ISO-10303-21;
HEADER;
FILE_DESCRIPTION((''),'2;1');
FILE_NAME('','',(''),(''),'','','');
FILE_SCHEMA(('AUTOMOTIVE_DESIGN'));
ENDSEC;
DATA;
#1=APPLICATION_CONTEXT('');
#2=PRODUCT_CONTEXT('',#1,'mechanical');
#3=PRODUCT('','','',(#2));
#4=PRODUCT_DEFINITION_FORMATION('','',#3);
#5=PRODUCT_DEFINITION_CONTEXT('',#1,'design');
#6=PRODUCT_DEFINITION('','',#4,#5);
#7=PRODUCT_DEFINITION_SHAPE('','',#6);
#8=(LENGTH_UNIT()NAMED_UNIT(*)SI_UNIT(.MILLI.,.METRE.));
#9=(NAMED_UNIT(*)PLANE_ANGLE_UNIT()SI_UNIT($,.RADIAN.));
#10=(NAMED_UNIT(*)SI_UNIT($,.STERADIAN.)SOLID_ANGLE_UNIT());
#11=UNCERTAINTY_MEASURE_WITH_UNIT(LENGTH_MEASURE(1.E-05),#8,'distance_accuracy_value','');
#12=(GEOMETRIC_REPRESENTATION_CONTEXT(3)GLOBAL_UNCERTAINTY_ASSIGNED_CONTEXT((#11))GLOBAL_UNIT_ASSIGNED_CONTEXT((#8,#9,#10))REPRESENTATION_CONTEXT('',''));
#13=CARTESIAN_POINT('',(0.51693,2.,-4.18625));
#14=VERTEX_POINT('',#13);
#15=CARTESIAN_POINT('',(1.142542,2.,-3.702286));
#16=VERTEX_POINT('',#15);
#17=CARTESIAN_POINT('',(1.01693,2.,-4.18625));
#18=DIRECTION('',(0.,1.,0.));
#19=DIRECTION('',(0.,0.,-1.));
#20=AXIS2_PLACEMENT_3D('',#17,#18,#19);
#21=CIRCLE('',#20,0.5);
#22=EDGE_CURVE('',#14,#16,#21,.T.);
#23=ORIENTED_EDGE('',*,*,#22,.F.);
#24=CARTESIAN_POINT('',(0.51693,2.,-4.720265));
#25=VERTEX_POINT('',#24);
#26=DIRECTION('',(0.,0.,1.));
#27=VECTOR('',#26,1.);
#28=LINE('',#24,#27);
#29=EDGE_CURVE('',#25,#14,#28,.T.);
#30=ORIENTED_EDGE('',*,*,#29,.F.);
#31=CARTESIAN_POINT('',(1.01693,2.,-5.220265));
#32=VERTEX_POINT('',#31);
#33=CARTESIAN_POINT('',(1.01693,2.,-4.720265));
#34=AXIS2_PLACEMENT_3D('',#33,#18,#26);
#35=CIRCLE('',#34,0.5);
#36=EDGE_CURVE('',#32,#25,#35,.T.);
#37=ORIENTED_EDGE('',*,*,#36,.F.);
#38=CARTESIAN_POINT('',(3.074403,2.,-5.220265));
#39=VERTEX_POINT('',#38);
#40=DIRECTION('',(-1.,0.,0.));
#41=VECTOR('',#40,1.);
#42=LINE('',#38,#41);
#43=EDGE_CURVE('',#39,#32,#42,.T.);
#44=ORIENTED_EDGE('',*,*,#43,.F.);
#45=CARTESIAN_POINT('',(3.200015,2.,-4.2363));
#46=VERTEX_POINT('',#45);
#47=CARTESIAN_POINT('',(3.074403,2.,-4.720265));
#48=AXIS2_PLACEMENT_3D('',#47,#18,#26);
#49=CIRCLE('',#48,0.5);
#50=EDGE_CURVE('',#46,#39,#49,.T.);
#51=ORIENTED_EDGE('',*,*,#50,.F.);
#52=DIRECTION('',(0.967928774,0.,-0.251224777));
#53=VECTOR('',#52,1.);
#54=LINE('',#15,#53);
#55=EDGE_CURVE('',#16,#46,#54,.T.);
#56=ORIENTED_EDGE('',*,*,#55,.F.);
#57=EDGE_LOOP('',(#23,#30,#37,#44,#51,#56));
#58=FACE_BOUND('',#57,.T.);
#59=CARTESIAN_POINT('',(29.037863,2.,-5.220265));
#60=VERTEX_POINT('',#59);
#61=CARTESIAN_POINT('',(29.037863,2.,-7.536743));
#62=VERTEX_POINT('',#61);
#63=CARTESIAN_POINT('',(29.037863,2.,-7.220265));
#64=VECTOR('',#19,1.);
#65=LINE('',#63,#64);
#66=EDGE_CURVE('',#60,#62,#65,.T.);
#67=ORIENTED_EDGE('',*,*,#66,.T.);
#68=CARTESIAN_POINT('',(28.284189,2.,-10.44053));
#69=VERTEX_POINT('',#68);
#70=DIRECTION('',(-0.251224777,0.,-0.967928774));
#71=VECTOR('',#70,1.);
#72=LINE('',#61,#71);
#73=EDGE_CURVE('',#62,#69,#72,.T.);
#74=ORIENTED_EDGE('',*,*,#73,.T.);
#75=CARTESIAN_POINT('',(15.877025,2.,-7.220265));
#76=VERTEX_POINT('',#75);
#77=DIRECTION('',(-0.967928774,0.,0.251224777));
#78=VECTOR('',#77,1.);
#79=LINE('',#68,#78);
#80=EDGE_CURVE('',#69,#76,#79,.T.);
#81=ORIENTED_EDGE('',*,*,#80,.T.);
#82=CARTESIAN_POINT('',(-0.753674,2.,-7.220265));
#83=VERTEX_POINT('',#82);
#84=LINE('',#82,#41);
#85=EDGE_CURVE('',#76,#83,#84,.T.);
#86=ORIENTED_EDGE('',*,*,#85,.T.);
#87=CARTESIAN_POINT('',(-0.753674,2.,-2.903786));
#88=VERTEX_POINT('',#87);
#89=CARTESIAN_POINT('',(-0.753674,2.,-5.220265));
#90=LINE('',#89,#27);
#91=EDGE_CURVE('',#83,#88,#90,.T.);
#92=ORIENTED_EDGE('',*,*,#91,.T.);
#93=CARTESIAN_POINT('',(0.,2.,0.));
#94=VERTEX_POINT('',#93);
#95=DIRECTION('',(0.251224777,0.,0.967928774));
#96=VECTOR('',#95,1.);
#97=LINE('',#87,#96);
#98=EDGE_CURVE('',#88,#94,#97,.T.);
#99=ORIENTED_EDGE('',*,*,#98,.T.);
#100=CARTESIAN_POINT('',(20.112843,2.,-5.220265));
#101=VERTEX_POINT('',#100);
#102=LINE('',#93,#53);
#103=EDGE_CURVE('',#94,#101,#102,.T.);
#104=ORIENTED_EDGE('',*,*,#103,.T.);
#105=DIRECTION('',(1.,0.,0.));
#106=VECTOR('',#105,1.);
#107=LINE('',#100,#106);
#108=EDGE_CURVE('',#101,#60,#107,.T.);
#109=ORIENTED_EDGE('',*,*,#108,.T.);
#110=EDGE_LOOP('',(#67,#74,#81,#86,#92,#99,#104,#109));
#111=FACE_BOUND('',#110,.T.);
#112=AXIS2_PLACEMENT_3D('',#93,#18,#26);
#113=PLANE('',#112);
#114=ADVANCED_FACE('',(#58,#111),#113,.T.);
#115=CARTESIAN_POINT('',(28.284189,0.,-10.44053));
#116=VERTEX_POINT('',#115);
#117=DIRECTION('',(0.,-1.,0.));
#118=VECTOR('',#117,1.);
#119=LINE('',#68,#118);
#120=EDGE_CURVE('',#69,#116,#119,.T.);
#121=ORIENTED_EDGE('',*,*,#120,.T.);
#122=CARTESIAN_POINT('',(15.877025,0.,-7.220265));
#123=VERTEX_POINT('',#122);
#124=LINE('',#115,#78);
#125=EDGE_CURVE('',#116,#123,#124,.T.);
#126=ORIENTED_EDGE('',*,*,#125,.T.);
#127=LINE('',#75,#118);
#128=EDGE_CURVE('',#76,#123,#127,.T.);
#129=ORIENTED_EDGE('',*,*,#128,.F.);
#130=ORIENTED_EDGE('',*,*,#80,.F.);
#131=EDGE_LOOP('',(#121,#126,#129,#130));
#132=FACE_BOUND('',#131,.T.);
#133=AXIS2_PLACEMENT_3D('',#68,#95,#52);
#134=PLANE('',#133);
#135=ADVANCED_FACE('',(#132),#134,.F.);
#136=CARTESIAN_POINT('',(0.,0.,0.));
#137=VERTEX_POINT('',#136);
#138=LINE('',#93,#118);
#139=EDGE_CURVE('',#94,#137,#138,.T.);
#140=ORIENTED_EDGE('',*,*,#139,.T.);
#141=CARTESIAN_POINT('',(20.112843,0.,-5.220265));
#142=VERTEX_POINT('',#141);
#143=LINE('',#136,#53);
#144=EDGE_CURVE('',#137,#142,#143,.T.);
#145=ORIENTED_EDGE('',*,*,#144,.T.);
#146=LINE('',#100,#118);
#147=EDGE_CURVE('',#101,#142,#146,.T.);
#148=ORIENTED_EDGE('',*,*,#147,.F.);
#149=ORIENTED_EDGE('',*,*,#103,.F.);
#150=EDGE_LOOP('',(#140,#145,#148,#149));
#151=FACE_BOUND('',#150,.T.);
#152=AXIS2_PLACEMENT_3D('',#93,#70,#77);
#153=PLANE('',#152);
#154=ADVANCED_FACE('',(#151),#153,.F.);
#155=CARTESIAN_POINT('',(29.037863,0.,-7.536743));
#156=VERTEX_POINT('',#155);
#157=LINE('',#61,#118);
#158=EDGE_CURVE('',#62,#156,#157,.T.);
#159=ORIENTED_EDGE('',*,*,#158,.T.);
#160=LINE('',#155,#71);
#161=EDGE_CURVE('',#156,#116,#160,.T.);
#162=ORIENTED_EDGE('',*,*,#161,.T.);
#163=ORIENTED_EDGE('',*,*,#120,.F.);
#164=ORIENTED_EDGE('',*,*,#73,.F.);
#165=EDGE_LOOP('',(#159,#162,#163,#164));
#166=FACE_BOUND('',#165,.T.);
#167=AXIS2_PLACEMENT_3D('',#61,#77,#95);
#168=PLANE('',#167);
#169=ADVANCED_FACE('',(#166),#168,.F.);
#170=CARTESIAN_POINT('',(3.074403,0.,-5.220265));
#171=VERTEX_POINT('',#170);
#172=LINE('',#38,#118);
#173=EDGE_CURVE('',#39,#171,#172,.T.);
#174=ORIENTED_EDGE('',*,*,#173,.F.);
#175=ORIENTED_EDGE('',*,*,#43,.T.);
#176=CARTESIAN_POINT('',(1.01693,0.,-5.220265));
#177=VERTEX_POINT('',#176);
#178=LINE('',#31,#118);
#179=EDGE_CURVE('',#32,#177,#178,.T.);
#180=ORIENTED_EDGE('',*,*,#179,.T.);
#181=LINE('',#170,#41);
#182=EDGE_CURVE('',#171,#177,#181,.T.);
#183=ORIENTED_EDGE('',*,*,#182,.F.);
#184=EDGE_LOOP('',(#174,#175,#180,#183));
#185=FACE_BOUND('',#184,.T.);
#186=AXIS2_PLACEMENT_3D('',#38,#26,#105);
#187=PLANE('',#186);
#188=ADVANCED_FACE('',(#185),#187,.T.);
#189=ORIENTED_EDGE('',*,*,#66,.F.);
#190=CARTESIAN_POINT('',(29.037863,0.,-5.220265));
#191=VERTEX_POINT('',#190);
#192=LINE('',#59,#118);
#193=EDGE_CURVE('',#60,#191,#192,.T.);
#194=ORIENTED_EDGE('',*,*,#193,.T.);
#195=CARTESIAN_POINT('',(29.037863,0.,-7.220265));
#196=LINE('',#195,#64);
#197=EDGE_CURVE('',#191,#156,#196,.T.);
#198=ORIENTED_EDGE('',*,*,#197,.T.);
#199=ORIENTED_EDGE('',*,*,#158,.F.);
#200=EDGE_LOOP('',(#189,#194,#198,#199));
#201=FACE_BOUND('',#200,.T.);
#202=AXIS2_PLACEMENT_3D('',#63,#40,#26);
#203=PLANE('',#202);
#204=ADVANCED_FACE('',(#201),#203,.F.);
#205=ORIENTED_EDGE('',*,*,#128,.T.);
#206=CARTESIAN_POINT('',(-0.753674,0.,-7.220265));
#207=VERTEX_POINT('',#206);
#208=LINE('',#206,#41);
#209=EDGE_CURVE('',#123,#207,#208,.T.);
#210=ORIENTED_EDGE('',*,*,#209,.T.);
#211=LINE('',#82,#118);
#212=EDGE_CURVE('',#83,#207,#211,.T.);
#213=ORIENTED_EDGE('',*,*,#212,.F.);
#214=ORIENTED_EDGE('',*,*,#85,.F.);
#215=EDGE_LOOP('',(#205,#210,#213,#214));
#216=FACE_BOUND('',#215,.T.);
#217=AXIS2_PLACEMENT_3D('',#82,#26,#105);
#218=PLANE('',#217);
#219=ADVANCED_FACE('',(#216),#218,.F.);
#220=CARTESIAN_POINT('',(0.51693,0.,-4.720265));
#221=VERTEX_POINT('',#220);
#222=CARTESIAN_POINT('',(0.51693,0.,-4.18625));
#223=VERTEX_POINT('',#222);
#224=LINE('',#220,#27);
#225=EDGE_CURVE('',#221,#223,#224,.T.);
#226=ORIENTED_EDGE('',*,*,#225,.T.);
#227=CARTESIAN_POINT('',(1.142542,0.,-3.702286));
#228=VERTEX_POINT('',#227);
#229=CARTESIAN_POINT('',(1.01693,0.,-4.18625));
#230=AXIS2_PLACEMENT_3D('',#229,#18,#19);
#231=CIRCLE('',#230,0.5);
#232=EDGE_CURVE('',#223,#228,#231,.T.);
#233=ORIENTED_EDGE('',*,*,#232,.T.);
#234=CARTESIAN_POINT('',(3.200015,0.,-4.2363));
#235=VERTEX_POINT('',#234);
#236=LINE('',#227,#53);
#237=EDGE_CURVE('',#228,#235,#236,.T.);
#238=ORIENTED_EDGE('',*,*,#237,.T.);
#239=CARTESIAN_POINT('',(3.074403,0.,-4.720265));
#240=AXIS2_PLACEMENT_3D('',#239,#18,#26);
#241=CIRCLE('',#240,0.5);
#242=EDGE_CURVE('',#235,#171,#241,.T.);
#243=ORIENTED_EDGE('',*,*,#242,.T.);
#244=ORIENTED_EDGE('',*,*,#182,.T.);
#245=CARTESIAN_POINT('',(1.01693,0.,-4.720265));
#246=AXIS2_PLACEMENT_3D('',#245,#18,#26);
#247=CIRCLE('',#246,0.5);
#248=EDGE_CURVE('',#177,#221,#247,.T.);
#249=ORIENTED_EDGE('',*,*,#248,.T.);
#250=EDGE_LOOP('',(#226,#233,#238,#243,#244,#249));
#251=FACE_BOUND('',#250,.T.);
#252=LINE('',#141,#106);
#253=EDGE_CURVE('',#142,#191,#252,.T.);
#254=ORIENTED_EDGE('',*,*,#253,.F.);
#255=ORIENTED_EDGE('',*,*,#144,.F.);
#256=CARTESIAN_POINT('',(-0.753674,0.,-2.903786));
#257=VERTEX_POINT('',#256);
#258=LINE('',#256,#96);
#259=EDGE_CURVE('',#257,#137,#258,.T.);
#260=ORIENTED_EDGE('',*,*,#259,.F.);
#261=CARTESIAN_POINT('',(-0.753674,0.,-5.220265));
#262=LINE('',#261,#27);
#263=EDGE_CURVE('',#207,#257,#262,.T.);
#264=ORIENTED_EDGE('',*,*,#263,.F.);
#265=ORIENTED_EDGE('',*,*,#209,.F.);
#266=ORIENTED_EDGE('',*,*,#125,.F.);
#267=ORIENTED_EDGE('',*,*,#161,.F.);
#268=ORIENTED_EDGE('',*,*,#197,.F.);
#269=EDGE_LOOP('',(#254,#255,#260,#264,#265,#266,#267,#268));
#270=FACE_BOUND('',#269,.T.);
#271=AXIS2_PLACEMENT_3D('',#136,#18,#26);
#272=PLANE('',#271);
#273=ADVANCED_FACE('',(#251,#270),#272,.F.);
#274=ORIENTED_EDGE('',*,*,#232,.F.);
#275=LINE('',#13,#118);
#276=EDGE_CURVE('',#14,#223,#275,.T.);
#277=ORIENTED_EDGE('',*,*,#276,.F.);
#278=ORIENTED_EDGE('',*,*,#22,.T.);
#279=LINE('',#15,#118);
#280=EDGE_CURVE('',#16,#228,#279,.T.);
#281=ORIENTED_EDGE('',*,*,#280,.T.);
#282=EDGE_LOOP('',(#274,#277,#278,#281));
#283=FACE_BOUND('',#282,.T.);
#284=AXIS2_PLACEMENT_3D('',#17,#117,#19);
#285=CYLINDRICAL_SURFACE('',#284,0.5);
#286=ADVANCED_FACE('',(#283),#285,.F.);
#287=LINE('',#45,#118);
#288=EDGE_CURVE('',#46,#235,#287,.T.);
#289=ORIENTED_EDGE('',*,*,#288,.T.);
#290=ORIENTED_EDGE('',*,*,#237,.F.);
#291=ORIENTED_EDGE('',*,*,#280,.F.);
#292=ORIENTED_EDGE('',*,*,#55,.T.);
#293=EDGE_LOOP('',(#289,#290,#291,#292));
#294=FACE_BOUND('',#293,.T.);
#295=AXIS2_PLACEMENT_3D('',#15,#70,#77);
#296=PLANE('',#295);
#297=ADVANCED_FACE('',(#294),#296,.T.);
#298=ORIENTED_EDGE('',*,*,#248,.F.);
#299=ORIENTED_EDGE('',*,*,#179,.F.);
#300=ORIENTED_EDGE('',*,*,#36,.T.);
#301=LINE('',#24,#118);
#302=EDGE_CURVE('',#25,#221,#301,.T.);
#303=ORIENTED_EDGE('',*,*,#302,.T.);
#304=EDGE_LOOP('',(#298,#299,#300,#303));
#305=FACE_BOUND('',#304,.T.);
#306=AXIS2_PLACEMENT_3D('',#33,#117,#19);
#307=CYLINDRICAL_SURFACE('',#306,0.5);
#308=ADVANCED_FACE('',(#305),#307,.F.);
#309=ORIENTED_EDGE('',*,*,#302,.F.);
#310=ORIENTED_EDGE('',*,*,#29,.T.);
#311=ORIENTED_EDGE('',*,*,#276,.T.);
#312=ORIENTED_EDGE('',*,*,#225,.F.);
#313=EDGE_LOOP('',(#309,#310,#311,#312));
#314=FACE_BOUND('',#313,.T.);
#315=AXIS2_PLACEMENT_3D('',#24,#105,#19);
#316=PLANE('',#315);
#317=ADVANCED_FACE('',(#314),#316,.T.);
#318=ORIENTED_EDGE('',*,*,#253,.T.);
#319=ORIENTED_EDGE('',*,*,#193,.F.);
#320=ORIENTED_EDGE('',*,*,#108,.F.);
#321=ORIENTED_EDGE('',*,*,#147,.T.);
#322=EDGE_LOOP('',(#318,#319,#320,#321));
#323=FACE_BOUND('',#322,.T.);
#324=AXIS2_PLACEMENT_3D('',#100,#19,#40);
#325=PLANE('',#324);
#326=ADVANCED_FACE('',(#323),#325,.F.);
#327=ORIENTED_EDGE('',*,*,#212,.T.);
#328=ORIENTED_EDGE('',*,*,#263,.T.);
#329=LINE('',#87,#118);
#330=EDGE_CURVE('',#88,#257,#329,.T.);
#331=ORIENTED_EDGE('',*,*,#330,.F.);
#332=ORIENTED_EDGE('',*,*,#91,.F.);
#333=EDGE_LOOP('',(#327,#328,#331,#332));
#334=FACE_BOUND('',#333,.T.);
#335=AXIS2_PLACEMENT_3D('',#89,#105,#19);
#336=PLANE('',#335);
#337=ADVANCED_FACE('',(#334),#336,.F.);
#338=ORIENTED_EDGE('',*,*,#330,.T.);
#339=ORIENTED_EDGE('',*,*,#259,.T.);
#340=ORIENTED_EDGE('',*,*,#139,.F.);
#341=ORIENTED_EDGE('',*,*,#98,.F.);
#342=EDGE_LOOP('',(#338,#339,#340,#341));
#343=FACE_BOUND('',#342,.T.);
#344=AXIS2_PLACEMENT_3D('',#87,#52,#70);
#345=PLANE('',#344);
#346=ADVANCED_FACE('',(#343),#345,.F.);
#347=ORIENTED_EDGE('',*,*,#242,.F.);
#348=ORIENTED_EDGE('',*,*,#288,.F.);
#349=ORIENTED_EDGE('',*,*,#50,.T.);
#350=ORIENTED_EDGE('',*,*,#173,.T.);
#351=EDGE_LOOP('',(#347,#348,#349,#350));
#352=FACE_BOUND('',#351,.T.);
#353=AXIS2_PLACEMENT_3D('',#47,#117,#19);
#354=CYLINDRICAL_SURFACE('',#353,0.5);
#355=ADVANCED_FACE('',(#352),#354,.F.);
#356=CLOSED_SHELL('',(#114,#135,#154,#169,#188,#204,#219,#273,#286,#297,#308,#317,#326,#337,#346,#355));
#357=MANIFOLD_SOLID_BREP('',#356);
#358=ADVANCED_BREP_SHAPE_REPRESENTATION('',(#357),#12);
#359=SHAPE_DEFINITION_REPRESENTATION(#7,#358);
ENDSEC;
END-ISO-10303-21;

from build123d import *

# Parameters (mm, degrees)
BOSS_EXTRUDE1_DEPTH = 2


with BuildPart() as part:
    # Sketch1 → Boss-Extrude1 (new body)
    with BuildSketch(Plane(origin=(0, 0, 0), x_dir=(1, 0, 0), z_dir=(0, 1, 0))):
        Polygon((0, 0), (20.112843107, 5.220264813), (29.03786322, 5.220264813), (29.03786322, 7.220264813), (29.03786322, 7.536743304), (28.284188889, 10.440529626), (15.877025026, 7.220264813), (-0.75367433, 7.220264813), (-0.75367433, 5.220264813), (-0.75367433, 2.903786322), align=None)
        with BuildLine():
            Line((0.516929559, 4.720264813), (0.516929559, 4.186250024))
            ThreePointArc((0.516929559, 4.186250024), (0.71099345, 3.79077171), (1.142541948, 3.702285637))
            Line((1.142541948, 3.702285637), (3.200015285, 4.236300426))
            ThreePointArc((3.200015285, 4.236300426), (3.570377792, 4.783580714), (3.074402897, 5.220264813))
            Line((3.074402897, 5.220264813), (1.016929559, 5.220264813))
            ThreePointArc((1.016929559, 5.220264813), (0.663376169, 5.073818204), (0.516929559, 4.720264813))
        make_face(mode=Mode.SUBTRACT)
    extrude(amount=BOSS_EXTRUDE1_DEPTH)


solid = part.part
